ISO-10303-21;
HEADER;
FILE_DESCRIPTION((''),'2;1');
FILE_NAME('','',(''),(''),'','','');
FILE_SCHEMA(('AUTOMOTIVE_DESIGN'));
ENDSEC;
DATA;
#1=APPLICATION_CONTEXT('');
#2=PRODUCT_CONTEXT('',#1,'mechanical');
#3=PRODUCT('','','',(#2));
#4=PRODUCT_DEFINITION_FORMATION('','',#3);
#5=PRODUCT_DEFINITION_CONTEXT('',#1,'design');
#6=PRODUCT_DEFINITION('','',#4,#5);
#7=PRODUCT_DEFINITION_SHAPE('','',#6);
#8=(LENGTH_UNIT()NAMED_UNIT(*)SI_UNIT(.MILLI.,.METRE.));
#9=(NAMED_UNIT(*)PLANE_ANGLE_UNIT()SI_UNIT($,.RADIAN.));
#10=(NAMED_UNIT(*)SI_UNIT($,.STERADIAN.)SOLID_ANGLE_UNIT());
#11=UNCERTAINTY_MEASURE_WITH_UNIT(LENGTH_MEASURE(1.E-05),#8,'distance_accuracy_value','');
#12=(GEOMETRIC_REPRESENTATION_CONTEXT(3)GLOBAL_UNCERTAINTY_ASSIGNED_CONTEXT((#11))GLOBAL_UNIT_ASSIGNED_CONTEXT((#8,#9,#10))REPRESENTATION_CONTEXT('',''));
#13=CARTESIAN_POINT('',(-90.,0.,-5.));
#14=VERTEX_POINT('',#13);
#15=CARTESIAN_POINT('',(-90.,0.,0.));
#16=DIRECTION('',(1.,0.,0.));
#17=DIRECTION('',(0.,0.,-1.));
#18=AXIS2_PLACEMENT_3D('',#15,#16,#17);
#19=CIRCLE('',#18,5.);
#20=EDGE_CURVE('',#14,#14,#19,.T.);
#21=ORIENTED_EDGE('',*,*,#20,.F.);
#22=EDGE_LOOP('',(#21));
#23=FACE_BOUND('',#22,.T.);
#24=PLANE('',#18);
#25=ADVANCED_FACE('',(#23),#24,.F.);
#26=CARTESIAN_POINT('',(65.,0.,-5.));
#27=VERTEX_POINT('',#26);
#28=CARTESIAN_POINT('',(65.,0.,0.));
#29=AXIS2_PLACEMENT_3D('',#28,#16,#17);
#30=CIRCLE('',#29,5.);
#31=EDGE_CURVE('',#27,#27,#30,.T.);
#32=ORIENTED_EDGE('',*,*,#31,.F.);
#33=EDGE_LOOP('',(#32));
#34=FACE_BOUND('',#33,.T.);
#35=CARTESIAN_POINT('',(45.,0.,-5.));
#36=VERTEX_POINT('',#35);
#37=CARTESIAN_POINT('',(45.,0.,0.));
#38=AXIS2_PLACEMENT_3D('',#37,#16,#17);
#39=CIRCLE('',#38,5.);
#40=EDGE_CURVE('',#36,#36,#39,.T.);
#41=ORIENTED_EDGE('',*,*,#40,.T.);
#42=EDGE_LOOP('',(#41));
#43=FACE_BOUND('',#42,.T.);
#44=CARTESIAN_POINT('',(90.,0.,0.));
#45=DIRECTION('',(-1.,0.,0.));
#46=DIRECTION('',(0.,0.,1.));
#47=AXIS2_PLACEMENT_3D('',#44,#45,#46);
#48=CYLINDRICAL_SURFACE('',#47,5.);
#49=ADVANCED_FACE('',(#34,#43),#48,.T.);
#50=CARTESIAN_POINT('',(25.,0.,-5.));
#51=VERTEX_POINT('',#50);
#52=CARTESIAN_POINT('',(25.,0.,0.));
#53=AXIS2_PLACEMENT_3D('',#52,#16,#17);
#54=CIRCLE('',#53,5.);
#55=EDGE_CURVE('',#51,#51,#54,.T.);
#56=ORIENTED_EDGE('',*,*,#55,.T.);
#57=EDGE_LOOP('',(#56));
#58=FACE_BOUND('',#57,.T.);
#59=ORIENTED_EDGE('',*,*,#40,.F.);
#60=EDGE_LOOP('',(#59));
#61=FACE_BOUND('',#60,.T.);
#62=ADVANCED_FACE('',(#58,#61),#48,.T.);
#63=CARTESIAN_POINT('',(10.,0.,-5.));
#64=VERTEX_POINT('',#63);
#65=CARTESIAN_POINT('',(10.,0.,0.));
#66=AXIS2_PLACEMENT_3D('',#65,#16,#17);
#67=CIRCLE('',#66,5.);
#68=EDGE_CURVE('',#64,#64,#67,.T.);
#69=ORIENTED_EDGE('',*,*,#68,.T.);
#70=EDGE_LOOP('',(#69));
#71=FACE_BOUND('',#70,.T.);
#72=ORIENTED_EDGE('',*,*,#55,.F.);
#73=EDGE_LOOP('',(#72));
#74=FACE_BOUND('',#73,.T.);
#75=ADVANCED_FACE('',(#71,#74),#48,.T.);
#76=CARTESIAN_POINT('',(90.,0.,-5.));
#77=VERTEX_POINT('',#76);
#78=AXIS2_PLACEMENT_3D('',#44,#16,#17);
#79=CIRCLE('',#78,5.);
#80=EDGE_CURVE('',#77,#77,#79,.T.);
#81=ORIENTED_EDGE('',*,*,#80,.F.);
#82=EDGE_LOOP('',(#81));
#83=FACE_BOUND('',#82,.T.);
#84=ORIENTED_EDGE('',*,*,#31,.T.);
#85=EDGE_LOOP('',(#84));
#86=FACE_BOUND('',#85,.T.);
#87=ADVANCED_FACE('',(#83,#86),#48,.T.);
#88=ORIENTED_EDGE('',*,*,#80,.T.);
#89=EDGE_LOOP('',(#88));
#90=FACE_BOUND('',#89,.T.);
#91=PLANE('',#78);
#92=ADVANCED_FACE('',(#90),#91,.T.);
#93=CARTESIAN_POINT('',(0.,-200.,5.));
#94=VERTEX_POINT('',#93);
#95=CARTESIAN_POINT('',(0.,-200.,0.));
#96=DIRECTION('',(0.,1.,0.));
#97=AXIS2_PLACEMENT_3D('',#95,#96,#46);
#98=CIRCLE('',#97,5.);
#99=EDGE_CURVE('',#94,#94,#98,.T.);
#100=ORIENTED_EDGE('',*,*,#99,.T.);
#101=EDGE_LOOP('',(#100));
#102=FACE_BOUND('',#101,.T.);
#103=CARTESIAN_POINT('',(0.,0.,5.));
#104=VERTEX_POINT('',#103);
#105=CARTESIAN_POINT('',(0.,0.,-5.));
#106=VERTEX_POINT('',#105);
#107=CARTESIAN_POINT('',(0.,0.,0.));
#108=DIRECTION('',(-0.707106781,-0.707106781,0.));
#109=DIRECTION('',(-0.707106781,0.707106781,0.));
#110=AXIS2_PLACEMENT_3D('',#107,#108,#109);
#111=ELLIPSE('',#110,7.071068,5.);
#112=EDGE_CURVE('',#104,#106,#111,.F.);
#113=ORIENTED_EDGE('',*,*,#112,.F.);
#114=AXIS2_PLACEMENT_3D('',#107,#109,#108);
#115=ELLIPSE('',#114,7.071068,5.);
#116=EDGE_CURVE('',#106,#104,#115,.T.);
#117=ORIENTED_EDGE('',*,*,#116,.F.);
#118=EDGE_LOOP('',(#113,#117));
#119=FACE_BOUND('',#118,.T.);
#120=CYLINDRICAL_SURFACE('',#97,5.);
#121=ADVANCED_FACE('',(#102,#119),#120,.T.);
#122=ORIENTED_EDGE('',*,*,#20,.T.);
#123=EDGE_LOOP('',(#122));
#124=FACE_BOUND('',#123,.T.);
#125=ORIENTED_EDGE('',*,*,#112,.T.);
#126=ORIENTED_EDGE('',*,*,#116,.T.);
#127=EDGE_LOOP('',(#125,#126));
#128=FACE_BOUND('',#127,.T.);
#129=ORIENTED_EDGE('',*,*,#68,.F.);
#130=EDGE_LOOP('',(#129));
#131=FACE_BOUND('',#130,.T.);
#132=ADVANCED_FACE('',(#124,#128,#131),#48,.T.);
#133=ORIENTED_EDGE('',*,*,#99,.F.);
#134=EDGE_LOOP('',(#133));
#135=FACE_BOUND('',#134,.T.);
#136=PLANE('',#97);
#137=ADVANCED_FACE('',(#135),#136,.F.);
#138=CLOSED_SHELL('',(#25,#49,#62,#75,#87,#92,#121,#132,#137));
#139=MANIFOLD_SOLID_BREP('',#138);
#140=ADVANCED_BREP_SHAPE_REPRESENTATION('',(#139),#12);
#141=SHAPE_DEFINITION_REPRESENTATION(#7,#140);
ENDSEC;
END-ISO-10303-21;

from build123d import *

# Parameters (mm, degrees)
SKETCH2_R           = 5
BOSS_EXTRUDE6_DEPTH = 90
SKETCH8_R           = 5
BOSS_EXTRUDE7_DEPTH = 200


with BuildPart() as part:
    # Sketch2 → Boss-Extrude6 (new body, symmetric)
    with BuildSketch(Plane(origin=(0, 0, 0), x_dir=(0, 0, -1), z_dir=(1, 0, 0))):
        Circle(SKETCH2_R)
    extrude(amount=BOSS_EXTRUDE6_DEPTH, both=True)

    # Sketch8 → Boss-Extrude7 (add)
    with BuildSketch(Plane(origin=(0, 0, 0), x_dir=(1, 0, 0), z_dir=(0, 1, 0))):
        Circle(SKETCH8_R)
    extrude(amount=-BOSS_EXTRUDE7_DEPTH)


solid = part.part
